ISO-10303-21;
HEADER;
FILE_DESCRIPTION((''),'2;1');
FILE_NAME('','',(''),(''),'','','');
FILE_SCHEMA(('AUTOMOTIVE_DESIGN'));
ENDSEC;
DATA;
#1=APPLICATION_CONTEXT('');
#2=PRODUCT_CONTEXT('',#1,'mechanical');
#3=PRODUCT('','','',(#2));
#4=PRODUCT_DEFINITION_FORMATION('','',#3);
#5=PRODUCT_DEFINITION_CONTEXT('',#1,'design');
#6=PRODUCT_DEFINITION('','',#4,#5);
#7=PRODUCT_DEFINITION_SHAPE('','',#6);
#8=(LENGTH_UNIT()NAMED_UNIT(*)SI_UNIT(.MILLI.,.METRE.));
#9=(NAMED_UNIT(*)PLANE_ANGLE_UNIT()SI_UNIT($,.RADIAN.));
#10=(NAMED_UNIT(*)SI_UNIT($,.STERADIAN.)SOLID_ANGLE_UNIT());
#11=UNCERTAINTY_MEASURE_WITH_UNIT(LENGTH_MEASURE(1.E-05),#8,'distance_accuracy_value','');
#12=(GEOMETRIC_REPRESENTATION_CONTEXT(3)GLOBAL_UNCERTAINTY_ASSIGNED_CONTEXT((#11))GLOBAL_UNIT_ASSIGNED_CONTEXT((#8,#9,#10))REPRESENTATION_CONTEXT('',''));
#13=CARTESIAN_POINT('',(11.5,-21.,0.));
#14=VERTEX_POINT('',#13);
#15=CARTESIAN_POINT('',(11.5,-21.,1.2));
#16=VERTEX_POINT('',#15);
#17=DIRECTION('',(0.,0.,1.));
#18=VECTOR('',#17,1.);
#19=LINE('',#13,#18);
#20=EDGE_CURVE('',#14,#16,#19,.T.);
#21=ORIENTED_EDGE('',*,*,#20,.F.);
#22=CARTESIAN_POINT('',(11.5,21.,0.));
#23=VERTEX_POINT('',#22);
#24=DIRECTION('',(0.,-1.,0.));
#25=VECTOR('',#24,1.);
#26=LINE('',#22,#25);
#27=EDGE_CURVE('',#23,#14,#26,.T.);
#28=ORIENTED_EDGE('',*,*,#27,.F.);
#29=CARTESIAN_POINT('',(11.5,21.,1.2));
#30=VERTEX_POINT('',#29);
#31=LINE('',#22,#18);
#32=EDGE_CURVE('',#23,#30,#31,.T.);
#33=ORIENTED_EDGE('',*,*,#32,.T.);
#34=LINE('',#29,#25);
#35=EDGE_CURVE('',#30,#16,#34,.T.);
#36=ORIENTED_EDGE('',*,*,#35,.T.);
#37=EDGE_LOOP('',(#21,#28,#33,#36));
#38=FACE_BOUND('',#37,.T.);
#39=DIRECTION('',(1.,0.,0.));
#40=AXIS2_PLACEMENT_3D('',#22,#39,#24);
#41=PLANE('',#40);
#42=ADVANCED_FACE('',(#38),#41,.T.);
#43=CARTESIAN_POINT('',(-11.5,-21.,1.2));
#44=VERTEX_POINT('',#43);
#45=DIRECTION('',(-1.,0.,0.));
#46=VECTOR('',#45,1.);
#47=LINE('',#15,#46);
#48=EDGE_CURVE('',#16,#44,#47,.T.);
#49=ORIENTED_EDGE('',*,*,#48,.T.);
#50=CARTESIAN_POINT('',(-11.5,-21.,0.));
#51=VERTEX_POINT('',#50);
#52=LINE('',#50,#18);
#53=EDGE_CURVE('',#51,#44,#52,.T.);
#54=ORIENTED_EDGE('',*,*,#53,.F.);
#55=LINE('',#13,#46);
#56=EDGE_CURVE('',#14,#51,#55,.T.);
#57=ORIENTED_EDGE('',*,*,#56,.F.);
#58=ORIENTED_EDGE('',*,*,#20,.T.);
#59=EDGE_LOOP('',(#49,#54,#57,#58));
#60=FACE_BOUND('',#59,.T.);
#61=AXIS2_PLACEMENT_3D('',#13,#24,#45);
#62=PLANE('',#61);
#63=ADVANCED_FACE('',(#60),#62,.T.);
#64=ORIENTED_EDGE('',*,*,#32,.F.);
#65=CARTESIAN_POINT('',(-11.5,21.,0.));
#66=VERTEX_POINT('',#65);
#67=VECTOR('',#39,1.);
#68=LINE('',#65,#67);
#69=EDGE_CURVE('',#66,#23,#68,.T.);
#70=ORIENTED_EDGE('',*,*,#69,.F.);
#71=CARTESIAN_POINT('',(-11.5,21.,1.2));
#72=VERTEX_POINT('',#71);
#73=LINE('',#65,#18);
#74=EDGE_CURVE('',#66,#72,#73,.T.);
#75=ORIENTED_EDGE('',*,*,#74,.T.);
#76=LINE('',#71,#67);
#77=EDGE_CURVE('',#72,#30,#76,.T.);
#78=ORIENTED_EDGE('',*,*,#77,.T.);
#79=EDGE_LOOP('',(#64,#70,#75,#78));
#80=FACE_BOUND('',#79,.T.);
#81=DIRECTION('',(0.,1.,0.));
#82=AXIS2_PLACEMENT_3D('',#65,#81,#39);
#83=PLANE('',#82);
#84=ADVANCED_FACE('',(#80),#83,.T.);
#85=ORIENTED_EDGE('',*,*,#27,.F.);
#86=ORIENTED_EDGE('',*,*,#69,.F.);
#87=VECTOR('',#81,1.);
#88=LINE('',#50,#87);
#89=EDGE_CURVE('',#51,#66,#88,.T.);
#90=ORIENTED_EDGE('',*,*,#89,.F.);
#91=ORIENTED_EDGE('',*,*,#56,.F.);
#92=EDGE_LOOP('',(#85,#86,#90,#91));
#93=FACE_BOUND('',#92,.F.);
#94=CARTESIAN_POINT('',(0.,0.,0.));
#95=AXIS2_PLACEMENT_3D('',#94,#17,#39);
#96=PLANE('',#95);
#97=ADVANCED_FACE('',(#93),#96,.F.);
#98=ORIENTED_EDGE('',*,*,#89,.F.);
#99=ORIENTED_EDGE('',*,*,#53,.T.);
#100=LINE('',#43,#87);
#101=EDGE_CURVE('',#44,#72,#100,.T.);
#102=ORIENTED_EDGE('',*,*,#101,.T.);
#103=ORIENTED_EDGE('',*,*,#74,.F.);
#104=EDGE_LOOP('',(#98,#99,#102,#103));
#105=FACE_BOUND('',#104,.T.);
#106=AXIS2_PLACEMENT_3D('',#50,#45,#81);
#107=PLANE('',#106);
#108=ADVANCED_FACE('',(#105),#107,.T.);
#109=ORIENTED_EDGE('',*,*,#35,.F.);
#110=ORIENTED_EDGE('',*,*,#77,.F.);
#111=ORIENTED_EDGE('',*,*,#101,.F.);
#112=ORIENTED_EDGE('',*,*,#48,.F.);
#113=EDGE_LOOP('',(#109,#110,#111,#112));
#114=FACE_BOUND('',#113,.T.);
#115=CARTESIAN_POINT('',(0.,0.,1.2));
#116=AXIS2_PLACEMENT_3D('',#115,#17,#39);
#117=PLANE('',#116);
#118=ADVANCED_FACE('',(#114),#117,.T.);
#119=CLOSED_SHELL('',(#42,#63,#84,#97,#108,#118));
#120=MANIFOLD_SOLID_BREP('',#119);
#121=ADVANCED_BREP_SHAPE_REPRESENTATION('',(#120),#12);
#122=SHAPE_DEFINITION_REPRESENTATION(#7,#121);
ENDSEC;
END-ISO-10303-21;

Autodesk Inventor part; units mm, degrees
ref_plane "YZ Plane" through (0, 0, 0) normal (1, 0, 0) x (0, 1, 0)
ref_plane "XZ Plane" through (0, 0, 0) normal (0, 1, 0) x (-1, 0, 0)
ref_plane "XY Plane" through (0, 0, 0) normal (0, 0, 1) x (1, 0, 0)
sketch "Sketch1" plane through (0, 0, 0) normal (0, 0, 1) x (1, 0, 0)
  line L0 (-11.5, 21) -> (11.5, 21)
  line L1 (11.5, 21) -> (11.5, -21)
  line L2 (11.5, -21) -> (-11.5, -21)
  line L3 (-11.5, -21) -> (-11.5, 21)
  line L4 (-11.5, 21) -> (11.5, -21) construction
  line L5 (11.5, 21) -> (-11.5, -21) construction
  point P0 (0, 0)
  dimension "d0" = 23
  dimension "d1" = 42
extrude "Extrusion1" add sketch "Sketch1" along normal blind 1.2
properties part number "Solar Panel"
